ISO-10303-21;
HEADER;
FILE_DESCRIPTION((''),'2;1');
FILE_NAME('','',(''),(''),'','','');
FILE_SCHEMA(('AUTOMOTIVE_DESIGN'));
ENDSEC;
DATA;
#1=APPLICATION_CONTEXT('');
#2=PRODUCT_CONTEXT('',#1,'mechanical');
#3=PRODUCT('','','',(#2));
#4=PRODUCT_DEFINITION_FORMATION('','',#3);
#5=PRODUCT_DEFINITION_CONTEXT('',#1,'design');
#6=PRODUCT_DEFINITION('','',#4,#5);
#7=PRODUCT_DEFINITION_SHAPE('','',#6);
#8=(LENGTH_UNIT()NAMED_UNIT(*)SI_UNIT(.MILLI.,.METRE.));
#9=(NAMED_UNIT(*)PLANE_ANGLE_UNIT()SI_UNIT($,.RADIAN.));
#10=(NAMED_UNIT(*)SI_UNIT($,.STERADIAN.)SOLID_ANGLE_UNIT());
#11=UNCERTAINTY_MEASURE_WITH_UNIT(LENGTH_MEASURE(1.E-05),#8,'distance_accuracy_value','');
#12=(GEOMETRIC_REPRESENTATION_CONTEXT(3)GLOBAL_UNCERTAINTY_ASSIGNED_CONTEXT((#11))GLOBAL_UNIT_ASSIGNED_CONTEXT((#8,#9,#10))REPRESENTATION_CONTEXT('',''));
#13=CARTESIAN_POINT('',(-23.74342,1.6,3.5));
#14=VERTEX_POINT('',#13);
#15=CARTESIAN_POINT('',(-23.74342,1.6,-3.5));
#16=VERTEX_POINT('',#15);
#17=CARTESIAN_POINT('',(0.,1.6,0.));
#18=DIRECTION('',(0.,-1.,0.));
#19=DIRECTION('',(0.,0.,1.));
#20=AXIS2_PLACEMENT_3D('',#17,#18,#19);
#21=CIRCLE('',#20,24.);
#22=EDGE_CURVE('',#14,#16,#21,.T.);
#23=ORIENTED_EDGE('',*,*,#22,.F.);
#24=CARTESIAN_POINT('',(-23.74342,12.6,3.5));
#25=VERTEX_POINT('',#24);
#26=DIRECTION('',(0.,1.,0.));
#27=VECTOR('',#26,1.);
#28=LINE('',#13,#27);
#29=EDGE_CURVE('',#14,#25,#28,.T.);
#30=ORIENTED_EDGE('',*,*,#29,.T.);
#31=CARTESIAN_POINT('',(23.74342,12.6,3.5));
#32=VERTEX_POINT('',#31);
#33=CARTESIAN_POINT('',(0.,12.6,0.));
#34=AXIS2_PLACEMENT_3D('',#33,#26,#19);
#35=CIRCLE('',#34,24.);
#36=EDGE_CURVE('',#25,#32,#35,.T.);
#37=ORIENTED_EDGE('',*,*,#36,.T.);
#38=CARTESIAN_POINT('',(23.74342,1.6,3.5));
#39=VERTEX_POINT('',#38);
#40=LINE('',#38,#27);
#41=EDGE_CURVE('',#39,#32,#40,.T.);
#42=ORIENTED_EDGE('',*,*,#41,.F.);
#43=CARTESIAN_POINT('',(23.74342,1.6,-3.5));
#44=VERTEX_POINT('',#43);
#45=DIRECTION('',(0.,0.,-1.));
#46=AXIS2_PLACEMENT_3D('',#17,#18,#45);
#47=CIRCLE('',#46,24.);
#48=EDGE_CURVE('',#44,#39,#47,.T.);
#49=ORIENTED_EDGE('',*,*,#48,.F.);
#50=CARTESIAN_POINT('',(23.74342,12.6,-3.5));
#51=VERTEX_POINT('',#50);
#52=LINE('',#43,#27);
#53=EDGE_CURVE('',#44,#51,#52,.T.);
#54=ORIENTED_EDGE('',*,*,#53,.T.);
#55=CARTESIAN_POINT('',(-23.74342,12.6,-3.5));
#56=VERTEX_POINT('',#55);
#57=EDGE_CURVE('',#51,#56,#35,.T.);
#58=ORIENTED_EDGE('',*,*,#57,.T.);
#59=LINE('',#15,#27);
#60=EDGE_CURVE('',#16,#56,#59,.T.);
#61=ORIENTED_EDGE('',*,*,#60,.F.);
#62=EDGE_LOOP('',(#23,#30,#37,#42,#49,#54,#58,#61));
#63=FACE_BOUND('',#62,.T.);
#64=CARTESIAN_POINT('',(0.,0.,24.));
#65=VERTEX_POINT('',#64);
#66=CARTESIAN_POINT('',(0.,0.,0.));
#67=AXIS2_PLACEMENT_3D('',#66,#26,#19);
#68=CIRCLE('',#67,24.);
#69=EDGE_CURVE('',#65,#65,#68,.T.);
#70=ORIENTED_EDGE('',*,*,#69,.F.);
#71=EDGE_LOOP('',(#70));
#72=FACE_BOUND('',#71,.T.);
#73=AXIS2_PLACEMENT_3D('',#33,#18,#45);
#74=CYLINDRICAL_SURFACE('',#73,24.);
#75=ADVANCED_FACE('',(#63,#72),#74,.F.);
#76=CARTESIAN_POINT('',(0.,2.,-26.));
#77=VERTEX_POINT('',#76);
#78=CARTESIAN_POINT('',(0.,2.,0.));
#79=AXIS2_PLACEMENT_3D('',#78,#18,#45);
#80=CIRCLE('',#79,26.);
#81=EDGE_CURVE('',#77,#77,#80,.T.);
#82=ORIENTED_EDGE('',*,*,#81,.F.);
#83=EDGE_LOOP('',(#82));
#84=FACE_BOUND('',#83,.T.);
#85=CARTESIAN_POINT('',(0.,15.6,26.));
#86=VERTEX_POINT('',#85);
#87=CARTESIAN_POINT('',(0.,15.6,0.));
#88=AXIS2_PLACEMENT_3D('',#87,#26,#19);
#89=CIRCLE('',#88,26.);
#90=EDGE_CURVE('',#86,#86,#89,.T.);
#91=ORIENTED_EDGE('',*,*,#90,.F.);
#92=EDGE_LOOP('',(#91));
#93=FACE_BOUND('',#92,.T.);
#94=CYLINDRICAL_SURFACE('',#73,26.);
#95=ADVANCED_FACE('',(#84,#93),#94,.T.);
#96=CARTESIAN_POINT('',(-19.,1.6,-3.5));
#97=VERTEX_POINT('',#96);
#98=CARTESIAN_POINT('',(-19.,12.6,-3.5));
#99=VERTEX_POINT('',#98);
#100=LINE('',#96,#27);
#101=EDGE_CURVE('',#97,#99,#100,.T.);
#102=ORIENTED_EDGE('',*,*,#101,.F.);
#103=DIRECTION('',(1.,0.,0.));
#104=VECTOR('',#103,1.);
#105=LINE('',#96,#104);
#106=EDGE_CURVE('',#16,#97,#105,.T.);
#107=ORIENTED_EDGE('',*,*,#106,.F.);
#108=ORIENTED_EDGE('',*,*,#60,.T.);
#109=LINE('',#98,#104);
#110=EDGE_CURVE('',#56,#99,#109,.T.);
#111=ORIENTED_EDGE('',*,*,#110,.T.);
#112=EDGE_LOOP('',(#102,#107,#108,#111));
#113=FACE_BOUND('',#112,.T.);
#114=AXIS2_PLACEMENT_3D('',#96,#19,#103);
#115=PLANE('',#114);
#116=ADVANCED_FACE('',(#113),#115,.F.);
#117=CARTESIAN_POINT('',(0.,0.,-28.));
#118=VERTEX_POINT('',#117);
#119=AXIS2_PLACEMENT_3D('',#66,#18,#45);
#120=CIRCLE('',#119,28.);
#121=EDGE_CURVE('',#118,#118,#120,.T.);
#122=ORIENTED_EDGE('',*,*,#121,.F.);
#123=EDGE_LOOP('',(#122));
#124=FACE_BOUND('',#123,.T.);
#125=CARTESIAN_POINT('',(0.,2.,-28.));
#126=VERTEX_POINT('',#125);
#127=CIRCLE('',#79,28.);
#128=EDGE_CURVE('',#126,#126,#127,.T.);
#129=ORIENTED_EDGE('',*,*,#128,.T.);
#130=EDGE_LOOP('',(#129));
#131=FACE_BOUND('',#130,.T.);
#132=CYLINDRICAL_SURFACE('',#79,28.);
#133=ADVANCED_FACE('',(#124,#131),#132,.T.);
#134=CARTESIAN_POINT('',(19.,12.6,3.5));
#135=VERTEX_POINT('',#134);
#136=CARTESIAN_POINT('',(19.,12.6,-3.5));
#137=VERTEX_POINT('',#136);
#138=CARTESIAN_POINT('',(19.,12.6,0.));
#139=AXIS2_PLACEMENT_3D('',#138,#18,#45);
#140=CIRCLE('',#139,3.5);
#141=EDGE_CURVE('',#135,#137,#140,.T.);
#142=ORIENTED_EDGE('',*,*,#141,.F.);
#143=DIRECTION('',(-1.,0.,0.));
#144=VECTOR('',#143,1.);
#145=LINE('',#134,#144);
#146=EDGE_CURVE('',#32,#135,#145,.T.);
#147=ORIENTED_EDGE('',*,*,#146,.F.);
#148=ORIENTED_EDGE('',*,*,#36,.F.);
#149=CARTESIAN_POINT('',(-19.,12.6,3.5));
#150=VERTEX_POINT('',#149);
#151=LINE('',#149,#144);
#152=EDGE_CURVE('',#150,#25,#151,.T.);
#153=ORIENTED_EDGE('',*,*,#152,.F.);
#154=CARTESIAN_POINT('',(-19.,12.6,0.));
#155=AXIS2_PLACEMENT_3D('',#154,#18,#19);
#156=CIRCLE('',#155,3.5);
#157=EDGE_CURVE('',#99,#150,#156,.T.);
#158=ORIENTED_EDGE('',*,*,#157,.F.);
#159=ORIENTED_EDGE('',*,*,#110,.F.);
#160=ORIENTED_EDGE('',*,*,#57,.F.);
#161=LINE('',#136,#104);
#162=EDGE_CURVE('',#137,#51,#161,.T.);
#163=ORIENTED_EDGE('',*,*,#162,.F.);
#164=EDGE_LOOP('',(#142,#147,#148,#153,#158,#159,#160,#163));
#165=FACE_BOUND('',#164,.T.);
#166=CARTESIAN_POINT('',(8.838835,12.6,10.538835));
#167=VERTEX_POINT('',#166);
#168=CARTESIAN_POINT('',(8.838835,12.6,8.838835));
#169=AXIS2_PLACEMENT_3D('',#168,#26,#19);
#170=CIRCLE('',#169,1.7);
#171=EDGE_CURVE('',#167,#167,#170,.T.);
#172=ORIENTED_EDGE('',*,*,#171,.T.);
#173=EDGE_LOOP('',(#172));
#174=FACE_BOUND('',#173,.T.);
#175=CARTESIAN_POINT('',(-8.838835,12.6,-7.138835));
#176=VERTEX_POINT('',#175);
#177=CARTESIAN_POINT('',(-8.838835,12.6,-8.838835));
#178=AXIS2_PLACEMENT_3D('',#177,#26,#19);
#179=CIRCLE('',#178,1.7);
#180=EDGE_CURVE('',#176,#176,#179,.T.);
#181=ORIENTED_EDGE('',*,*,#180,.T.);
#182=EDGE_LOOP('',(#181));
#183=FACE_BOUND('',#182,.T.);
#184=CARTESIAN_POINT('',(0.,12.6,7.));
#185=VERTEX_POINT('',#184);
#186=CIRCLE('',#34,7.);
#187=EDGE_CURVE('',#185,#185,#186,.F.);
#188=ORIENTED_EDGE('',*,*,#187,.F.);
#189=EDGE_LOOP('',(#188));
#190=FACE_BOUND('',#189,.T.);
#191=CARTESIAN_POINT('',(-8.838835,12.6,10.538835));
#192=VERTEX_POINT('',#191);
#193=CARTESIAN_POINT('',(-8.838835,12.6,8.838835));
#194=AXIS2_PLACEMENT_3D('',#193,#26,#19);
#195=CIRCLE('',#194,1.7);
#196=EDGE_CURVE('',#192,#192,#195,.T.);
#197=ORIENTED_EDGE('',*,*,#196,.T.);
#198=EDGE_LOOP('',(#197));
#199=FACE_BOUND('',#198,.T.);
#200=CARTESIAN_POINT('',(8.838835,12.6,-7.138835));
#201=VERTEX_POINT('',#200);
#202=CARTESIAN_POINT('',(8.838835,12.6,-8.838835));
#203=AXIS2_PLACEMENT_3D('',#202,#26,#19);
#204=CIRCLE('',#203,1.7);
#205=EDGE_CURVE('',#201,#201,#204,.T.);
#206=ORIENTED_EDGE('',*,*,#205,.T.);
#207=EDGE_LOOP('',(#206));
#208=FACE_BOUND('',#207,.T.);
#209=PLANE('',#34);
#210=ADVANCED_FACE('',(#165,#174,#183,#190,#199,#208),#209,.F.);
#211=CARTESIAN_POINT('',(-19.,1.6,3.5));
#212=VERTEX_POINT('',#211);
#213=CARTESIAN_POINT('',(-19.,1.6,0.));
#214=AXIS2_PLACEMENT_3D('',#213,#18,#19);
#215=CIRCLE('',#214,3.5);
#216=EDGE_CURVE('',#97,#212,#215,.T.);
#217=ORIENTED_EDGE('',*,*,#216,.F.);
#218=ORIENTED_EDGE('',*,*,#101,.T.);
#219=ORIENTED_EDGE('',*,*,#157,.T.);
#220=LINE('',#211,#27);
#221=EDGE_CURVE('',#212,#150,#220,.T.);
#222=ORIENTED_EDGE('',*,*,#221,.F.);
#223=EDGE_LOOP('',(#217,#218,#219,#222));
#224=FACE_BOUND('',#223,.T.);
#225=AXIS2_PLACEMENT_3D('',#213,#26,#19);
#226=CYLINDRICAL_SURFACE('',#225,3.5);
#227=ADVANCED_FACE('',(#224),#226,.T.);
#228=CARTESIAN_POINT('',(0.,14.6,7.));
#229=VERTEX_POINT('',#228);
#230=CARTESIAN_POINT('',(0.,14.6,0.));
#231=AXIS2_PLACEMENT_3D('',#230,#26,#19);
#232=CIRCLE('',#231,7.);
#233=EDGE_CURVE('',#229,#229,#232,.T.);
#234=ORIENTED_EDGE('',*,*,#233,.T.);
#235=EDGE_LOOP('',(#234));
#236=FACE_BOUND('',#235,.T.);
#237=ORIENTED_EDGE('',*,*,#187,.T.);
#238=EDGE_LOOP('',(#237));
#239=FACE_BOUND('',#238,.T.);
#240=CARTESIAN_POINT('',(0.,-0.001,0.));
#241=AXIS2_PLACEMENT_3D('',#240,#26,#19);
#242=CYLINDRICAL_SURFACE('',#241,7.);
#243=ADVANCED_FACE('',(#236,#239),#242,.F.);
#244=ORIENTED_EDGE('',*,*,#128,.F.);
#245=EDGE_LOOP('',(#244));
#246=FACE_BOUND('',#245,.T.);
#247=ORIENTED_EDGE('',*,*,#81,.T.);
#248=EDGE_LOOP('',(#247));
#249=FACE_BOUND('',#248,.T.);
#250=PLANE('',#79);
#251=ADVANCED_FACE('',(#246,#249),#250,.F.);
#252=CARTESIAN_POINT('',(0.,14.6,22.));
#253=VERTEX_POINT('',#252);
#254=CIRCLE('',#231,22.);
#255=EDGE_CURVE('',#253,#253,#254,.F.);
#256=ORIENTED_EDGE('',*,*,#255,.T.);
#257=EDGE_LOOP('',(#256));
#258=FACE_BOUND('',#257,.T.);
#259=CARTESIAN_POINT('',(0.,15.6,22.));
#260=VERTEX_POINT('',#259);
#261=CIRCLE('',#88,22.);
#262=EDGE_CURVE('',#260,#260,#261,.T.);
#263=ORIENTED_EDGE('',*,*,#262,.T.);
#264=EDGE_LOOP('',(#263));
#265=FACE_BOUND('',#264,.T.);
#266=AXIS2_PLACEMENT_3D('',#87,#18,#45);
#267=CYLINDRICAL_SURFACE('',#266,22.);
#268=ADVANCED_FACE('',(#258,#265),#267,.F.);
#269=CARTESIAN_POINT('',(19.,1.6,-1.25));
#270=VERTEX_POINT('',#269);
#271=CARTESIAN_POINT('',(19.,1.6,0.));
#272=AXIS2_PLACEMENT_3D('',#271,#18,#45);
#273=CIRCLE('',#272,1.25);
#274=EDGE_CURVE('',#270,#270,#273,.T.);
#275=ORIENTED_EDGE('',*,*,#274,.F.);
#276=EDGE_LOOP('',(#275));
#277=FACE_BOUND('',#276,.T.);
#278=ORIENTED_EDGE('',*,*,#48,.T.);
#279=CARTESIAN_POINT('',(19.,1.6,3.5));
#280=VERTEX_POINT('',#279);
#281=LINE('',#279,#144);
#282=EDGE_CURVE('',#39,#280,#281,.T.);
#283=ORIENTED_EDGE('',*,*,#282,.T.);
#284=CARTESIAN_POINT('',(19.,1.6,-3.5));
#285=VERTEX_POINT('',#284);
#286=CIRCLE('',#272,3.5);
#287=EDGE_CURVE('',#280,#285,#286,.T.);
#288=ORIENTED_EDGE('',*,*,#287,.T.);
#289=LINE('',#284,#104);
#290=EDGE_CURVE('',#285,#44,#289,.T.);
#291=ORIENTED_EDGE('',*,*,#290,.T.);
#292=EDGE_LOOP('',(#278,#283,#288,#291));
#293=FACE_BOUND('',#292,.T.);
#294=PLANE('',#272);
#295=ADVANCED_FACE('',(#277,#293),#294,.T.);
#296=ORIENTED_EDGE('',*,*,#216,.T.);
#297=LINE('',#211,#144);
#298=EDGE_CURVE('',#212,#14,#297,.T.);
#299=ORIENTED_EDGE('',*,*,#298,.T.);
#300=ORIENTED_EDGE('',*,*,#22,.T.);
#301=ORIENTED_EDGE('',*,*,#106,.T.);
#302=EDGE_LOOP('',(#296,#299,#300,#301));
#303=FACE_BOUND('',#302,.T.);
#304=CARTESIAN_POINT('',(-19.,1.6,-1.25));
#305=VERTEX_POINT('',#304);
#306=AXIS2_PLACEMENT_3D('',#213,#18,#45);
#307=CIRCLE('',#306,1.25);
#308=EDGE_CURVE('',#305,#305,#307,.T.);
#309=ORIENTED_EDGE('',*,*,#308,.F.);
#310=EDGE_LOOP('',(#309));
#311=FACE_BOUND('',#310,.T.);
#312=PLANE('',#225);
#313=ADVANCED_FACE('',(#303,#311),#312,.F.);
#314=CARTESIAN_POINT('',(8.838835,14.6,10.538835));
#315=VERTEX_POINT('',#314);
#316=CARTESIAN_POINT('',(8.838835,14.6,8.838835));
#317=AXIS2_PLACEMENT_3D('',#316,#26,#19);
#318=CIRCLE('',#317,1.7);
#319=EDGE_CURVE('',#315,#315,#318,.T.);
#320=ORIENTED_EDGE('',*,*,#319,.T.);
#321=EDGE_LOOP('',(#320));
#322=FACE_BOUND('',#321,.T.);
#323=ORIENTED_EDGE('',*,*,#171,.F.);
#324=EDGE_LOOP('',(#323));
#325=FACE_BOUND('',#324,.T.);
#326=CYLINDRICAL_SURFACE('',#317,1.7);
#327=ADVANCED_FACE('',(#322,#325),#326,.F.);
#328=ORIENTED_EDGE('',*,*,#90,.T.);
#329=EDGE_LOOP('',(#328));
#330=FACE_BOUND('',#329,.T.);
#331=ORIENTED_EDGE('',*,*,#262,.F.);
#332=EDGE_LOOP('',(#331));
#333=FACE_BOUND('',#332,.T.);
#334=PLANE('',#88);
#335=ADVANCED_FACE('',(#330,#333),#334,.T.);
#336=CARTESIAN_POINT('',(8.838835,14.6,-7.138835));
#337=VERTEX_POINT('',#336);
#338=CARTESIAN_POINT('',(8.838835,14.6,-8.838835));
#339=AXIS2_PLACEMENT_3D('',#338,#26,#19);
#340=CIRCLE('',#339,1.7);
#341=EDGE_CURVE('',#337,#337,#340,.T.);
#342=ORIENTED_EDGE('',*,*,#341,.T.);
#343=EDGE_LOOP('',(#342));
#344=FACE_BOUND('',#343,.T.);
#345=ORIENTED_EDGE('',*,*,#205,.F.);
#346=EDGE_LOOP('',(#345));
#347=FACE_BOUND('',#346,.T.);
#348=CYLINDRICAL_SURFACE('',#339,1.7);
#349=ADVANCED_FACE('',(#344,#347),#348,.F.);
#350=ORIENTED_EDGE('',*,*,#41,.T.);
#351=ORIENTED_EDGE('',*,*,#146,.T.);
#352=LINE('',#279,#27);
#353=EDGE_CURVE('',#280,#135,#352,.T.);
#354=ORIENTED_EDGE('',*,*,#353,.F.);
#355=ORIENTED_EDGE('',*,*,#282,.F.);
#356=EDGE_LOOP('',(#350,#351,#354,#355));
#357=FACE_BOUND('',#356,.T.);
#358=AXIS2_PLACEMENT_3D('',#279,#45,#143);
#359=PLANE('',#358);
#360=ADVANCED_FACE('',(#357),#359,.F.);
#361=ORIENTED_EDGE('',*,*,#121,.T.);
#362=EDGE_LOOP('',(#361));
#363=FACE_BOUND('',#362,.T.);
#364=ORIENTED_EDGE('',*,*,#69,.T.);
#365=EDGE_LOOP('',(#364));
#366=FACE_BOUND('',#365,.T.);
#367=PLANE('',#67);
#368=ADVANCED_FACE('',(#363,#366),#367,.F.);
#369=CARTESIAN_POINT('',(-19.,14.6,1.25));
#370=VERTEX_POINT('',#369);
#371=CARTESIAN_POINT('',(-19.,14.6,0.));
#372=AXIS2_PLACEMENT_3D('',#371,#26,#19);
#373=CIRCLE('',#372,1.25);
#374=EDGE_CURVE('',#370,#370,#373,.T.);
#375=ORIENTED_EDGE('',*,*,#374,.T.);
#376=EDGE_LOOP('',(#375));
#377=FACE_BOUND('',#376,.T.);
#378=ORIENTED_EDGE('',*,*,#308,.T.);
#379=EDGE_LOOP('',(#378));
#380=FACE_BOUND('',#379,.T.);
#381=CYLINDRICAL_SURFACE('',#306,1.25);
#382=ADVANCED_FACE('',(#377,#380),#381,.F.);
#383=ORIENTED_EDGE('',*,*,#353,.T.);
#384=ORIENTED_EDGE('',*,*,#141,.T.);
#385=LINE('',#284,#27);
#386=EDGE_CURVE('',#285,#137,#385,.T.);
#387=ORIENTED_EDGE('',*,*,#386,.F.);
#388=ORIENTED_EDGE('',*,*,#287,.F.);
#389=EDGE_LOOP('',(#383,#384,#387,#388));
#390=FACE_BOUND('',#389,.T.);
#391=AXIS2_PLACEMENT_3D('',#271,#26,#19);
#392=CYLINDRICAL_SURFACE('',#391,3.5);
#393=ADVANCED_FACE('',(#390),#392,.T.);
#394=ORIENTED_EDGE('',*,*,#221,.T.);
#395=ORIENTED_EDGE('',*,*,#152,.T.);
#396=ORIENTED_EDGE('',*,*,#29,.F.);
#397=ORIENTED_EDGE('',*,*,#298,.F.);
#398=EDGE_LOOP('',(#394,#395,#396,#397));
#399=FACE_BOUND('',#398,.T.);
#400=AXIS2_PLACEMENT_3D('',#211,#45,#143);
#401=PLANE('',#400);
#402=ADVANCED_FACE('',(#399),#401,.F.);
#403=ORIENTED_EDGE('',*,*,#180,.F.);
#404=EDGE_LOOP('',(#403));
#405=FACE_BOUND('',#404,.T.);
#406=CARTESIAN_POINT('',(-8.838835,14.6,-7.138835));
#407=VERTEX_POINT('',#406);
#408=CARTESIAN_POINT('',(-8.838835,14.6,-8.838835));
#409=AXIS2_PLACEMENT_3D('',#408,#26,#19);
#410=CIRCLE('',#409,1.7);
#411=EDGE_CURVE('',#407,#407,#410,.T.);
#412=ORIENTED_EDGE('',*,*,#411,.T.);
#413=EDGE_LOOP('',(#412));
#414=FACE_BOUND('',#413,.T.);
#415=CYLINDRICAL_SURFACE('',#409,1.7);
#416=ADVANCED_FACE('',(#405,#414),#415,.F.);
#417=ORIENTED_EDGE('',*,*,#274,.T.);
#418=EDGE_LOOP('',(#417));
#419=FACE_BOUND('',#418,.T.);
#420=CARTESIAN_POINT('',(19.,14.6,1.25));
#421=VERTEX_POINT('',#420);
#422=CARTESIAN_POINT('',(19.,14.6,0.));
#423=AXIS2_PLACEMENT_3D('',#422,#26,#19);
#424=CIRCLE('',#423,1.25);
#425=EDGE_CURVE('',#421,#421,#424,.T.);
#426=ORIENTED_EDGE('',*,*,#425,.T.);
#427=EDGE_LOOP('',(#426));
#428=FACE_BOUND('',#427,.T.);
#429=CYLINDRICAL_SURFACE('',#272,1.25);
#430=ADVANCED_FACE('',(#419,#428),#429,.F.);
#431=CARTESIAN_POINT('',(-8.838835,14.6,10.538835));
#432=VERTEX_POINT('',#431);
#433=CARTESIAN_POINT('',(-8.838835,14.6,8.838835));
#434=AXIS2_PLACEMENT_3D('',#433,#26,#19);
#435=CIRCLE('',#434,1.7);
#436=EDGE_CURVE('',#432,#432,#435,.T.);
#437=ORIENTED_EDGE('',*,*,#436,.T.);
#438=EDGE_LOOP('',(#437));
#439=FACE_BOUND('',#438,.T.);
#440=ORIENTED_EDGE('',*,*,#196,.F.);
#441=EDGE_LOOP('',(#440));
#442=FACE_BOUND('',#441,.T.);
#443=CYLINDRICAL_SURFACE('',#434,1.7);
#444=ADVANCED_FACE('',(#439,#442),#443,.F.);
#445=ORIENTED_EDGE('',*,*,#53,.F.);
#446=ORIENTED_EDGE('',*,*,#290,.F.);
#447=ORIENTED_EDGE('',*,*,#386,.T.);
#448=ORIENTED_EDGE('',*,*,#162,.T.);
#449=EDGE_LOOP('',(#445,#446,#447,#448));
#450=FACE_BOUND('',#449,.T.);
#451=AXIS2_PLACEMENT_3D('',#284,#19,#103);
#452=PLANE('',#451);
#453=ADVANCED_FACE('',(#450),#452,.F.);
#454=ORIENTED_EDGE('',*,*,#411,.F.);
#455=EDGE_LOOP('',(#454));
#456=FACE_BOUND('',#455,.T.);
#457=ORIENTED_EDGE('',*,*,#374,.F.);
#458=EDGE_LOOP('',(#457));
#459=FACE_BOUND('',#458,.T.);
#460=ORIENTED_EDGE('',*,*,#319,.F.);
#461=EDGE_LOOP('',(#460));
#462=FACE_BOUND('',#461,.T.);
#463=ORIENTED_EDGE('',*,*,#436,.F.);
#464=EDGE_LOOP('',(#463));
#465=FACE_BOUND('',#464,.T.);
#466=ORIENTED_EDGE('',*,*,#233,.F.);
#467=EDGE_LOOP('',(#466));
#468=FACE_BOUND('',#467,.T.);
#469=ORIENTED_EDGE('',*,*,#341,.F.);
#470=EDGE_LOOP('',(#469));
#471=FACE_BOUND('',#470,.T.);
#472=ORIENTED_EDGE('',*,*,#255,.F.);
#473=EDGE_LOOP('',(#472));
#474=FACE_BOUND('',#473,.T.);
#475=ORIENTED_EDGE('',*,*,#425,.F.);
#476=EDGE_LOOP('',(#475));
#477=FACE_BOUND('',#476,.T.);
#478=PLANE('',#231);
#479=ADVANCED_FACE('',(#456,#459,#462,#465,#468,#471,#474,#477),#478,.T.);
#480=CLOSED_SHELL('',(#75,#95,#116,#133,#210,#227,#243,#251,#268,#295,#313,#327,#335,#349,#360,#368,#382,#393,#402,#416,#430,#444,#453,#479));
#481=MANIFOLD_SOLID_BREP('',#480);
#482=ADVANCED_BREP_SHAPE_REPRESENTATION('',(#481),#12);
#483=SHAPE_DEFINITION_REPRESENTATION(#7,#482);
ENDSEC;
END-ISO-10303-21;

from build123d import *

# Parameters (mm, degrees)
SKETCH_1_R          = 26
SKETCH_1_R_2        = 24
EXTRUDE_1_DEPTH     = 12.6
EXTRUDE_START       = -2
SKETCH_2_R          = 28
SKETCH_2_R_2        = 26
EXTRUDE_2_DEPTH     = 2
SKETCH_3_R          = 26
EXTRUDE_3_DEPTH     = 2
SKETCH_4_R          = 26
SKETCH_4_R_2        = 22
EXTRUDE_4_DEPTH     = 1
EXTRUDE_START_2     = 11
EXTRUDE_5_DEPTH     = 11
M3X0_51_D           = 2.5
SKETCH_8_R          = 7
CUT_EXTRUDE_1_DEPTH = 2
HOLE_WIZARD_M31_D   = 3.4


with BuildPart() as part:
    # Эскиз1 → Бобышка-Вытянуть1 (new body)
    with BuildSketch(Plane(origin=(0, 0, 0), x_dir=(1, 0, 0), z_dir=(0, 1, 0))):
        with Locations(Location((0, 0, 0), (0, 0, 270))):
            Circle(SKETCH_1_R)
        with Locations(Location((0, 0, 0), (0, 0, 270))):
            Circle(SKETCH_1_R_2, mode=Mode.SUBTRACT)
    extrude(amount=EXTRUDE_1_DEPTH)

    # Эскиз2 → Бобышка-Вытянуть2 (add)
    with BuildSketch(Plane.XZ.offset(EXTRUDE_START)):
        with Locations(Location((0, 0, 0), (0, 0, 270))):
            Circle(SKETCH_2_R)
        with Locations(Location((0, 0, 0), (0, 0, 270))):
            Circle(SKETCH_2_R_2, mode=Mode.SUBTRACT)
    extrude(amount=EXTRUDE_2_DEPTH)

    # Эскиз3 → Бобышка-Вытянуть3 (add)
    with BuildSketch(Plane(origin=(0, 12.6, 0), x_dir=(1, 0, 0), z_dir=(0, 1, 0))):
        with Locations(Location((0, 0, 0), (0, 0, 90))):
            Circle(SKETCH_3_R)
    extrude(amount=EXTRUDE_3_DEPTH)

    # Эскиз4 → Бобышка-Вытянуть4 (add)
    with BuildSketch(Plane(origin=(0, 14.6, 0), x_dir=(1, 0, 0), z_dir=(0, 1, 0))):
        with Locations(Location((0, 0, 0), (0, 0, 90))):
            Circle(SKETCH_4_R)
        with Locations(Location((0, 0, 0), (0, 0, 270))):
            Circle(SKETCH_4_R_2, mode=Mode.SUBTRACT)
    extrude(amount=EXTRUDE_4_DEPTH)

    # Эскиз5 → Бобышка-Вытянуть5 (add)
    with BuildSketch(Plane.XZ.offset(-12.6).offset(EXTRUDE_START_2)):
        with BuildLine():
            Line((19, 3.5), (23.743420141, 3.5))
            ThreePointArc((23.743420141, 3.5), (24, 0), (23.743420141, -3.5))
            Line((23.743420141, -3.5), (19, -3.5))
            ThreePointArc((19, -3.5), (15.5, 0), (19, 3.5))
        make_face()
        with BuildLine():
            Line((-19, -3.5), (-23.743420141, -3.5))
            ThreePointArc((-23.743420141, -3.5), (-24, 0), (-23.743420141, 3.5))
            Line((-23.743420141, 3.5), (-19, 3.5))
            ThreePointArc((-19, 3.5), (-15.5, 0), (-19, -3.5))
        make_face()
    extrude(amount=-EXTRUDE_5_DEPTH)

    # Отверстие обработанное метчиком M3x0.51 (through all)
    with Locations(Plane(origin=(0, 1.6, 0), x_dir=(-1, 0, 0), z_dir=(0, -1, 0))):
        with Locations((-19, 0), (19, 0)):
            Hole(M3X0_51_D / 2)

    # Эскиз8 → Вырез-Вытянуть1 (cut)
    with BuildSketch(Plane(origin=(0, 14.6, 0), x_dir=(1, 0, 0), z_dir=(0, 1, 0))):
        with Locations(Location((0, 0, 0), (0, 0, 270))):
            Circle(SKETCH_8_R)
    extrude(amount=-CUT_EXTRUDE_1_DEPTH, mode=Mode.SUBTRACT)

    # Отверстие с зазором M31 (through all)
    with Locations(Plane(origin=(0, 14.6, 0), x_dir=(1, 0, 0), z_dir=(0, 1, 0))):
        with Locations((-8.838834765, 8.838834765), (8.838834765, 8.838834765), (8.838834765, -8.838834765), (-8.838834765, -8.838834765)):
            Hole(HOLE_WIZARD_M31_D / 2)


solid = part.part
